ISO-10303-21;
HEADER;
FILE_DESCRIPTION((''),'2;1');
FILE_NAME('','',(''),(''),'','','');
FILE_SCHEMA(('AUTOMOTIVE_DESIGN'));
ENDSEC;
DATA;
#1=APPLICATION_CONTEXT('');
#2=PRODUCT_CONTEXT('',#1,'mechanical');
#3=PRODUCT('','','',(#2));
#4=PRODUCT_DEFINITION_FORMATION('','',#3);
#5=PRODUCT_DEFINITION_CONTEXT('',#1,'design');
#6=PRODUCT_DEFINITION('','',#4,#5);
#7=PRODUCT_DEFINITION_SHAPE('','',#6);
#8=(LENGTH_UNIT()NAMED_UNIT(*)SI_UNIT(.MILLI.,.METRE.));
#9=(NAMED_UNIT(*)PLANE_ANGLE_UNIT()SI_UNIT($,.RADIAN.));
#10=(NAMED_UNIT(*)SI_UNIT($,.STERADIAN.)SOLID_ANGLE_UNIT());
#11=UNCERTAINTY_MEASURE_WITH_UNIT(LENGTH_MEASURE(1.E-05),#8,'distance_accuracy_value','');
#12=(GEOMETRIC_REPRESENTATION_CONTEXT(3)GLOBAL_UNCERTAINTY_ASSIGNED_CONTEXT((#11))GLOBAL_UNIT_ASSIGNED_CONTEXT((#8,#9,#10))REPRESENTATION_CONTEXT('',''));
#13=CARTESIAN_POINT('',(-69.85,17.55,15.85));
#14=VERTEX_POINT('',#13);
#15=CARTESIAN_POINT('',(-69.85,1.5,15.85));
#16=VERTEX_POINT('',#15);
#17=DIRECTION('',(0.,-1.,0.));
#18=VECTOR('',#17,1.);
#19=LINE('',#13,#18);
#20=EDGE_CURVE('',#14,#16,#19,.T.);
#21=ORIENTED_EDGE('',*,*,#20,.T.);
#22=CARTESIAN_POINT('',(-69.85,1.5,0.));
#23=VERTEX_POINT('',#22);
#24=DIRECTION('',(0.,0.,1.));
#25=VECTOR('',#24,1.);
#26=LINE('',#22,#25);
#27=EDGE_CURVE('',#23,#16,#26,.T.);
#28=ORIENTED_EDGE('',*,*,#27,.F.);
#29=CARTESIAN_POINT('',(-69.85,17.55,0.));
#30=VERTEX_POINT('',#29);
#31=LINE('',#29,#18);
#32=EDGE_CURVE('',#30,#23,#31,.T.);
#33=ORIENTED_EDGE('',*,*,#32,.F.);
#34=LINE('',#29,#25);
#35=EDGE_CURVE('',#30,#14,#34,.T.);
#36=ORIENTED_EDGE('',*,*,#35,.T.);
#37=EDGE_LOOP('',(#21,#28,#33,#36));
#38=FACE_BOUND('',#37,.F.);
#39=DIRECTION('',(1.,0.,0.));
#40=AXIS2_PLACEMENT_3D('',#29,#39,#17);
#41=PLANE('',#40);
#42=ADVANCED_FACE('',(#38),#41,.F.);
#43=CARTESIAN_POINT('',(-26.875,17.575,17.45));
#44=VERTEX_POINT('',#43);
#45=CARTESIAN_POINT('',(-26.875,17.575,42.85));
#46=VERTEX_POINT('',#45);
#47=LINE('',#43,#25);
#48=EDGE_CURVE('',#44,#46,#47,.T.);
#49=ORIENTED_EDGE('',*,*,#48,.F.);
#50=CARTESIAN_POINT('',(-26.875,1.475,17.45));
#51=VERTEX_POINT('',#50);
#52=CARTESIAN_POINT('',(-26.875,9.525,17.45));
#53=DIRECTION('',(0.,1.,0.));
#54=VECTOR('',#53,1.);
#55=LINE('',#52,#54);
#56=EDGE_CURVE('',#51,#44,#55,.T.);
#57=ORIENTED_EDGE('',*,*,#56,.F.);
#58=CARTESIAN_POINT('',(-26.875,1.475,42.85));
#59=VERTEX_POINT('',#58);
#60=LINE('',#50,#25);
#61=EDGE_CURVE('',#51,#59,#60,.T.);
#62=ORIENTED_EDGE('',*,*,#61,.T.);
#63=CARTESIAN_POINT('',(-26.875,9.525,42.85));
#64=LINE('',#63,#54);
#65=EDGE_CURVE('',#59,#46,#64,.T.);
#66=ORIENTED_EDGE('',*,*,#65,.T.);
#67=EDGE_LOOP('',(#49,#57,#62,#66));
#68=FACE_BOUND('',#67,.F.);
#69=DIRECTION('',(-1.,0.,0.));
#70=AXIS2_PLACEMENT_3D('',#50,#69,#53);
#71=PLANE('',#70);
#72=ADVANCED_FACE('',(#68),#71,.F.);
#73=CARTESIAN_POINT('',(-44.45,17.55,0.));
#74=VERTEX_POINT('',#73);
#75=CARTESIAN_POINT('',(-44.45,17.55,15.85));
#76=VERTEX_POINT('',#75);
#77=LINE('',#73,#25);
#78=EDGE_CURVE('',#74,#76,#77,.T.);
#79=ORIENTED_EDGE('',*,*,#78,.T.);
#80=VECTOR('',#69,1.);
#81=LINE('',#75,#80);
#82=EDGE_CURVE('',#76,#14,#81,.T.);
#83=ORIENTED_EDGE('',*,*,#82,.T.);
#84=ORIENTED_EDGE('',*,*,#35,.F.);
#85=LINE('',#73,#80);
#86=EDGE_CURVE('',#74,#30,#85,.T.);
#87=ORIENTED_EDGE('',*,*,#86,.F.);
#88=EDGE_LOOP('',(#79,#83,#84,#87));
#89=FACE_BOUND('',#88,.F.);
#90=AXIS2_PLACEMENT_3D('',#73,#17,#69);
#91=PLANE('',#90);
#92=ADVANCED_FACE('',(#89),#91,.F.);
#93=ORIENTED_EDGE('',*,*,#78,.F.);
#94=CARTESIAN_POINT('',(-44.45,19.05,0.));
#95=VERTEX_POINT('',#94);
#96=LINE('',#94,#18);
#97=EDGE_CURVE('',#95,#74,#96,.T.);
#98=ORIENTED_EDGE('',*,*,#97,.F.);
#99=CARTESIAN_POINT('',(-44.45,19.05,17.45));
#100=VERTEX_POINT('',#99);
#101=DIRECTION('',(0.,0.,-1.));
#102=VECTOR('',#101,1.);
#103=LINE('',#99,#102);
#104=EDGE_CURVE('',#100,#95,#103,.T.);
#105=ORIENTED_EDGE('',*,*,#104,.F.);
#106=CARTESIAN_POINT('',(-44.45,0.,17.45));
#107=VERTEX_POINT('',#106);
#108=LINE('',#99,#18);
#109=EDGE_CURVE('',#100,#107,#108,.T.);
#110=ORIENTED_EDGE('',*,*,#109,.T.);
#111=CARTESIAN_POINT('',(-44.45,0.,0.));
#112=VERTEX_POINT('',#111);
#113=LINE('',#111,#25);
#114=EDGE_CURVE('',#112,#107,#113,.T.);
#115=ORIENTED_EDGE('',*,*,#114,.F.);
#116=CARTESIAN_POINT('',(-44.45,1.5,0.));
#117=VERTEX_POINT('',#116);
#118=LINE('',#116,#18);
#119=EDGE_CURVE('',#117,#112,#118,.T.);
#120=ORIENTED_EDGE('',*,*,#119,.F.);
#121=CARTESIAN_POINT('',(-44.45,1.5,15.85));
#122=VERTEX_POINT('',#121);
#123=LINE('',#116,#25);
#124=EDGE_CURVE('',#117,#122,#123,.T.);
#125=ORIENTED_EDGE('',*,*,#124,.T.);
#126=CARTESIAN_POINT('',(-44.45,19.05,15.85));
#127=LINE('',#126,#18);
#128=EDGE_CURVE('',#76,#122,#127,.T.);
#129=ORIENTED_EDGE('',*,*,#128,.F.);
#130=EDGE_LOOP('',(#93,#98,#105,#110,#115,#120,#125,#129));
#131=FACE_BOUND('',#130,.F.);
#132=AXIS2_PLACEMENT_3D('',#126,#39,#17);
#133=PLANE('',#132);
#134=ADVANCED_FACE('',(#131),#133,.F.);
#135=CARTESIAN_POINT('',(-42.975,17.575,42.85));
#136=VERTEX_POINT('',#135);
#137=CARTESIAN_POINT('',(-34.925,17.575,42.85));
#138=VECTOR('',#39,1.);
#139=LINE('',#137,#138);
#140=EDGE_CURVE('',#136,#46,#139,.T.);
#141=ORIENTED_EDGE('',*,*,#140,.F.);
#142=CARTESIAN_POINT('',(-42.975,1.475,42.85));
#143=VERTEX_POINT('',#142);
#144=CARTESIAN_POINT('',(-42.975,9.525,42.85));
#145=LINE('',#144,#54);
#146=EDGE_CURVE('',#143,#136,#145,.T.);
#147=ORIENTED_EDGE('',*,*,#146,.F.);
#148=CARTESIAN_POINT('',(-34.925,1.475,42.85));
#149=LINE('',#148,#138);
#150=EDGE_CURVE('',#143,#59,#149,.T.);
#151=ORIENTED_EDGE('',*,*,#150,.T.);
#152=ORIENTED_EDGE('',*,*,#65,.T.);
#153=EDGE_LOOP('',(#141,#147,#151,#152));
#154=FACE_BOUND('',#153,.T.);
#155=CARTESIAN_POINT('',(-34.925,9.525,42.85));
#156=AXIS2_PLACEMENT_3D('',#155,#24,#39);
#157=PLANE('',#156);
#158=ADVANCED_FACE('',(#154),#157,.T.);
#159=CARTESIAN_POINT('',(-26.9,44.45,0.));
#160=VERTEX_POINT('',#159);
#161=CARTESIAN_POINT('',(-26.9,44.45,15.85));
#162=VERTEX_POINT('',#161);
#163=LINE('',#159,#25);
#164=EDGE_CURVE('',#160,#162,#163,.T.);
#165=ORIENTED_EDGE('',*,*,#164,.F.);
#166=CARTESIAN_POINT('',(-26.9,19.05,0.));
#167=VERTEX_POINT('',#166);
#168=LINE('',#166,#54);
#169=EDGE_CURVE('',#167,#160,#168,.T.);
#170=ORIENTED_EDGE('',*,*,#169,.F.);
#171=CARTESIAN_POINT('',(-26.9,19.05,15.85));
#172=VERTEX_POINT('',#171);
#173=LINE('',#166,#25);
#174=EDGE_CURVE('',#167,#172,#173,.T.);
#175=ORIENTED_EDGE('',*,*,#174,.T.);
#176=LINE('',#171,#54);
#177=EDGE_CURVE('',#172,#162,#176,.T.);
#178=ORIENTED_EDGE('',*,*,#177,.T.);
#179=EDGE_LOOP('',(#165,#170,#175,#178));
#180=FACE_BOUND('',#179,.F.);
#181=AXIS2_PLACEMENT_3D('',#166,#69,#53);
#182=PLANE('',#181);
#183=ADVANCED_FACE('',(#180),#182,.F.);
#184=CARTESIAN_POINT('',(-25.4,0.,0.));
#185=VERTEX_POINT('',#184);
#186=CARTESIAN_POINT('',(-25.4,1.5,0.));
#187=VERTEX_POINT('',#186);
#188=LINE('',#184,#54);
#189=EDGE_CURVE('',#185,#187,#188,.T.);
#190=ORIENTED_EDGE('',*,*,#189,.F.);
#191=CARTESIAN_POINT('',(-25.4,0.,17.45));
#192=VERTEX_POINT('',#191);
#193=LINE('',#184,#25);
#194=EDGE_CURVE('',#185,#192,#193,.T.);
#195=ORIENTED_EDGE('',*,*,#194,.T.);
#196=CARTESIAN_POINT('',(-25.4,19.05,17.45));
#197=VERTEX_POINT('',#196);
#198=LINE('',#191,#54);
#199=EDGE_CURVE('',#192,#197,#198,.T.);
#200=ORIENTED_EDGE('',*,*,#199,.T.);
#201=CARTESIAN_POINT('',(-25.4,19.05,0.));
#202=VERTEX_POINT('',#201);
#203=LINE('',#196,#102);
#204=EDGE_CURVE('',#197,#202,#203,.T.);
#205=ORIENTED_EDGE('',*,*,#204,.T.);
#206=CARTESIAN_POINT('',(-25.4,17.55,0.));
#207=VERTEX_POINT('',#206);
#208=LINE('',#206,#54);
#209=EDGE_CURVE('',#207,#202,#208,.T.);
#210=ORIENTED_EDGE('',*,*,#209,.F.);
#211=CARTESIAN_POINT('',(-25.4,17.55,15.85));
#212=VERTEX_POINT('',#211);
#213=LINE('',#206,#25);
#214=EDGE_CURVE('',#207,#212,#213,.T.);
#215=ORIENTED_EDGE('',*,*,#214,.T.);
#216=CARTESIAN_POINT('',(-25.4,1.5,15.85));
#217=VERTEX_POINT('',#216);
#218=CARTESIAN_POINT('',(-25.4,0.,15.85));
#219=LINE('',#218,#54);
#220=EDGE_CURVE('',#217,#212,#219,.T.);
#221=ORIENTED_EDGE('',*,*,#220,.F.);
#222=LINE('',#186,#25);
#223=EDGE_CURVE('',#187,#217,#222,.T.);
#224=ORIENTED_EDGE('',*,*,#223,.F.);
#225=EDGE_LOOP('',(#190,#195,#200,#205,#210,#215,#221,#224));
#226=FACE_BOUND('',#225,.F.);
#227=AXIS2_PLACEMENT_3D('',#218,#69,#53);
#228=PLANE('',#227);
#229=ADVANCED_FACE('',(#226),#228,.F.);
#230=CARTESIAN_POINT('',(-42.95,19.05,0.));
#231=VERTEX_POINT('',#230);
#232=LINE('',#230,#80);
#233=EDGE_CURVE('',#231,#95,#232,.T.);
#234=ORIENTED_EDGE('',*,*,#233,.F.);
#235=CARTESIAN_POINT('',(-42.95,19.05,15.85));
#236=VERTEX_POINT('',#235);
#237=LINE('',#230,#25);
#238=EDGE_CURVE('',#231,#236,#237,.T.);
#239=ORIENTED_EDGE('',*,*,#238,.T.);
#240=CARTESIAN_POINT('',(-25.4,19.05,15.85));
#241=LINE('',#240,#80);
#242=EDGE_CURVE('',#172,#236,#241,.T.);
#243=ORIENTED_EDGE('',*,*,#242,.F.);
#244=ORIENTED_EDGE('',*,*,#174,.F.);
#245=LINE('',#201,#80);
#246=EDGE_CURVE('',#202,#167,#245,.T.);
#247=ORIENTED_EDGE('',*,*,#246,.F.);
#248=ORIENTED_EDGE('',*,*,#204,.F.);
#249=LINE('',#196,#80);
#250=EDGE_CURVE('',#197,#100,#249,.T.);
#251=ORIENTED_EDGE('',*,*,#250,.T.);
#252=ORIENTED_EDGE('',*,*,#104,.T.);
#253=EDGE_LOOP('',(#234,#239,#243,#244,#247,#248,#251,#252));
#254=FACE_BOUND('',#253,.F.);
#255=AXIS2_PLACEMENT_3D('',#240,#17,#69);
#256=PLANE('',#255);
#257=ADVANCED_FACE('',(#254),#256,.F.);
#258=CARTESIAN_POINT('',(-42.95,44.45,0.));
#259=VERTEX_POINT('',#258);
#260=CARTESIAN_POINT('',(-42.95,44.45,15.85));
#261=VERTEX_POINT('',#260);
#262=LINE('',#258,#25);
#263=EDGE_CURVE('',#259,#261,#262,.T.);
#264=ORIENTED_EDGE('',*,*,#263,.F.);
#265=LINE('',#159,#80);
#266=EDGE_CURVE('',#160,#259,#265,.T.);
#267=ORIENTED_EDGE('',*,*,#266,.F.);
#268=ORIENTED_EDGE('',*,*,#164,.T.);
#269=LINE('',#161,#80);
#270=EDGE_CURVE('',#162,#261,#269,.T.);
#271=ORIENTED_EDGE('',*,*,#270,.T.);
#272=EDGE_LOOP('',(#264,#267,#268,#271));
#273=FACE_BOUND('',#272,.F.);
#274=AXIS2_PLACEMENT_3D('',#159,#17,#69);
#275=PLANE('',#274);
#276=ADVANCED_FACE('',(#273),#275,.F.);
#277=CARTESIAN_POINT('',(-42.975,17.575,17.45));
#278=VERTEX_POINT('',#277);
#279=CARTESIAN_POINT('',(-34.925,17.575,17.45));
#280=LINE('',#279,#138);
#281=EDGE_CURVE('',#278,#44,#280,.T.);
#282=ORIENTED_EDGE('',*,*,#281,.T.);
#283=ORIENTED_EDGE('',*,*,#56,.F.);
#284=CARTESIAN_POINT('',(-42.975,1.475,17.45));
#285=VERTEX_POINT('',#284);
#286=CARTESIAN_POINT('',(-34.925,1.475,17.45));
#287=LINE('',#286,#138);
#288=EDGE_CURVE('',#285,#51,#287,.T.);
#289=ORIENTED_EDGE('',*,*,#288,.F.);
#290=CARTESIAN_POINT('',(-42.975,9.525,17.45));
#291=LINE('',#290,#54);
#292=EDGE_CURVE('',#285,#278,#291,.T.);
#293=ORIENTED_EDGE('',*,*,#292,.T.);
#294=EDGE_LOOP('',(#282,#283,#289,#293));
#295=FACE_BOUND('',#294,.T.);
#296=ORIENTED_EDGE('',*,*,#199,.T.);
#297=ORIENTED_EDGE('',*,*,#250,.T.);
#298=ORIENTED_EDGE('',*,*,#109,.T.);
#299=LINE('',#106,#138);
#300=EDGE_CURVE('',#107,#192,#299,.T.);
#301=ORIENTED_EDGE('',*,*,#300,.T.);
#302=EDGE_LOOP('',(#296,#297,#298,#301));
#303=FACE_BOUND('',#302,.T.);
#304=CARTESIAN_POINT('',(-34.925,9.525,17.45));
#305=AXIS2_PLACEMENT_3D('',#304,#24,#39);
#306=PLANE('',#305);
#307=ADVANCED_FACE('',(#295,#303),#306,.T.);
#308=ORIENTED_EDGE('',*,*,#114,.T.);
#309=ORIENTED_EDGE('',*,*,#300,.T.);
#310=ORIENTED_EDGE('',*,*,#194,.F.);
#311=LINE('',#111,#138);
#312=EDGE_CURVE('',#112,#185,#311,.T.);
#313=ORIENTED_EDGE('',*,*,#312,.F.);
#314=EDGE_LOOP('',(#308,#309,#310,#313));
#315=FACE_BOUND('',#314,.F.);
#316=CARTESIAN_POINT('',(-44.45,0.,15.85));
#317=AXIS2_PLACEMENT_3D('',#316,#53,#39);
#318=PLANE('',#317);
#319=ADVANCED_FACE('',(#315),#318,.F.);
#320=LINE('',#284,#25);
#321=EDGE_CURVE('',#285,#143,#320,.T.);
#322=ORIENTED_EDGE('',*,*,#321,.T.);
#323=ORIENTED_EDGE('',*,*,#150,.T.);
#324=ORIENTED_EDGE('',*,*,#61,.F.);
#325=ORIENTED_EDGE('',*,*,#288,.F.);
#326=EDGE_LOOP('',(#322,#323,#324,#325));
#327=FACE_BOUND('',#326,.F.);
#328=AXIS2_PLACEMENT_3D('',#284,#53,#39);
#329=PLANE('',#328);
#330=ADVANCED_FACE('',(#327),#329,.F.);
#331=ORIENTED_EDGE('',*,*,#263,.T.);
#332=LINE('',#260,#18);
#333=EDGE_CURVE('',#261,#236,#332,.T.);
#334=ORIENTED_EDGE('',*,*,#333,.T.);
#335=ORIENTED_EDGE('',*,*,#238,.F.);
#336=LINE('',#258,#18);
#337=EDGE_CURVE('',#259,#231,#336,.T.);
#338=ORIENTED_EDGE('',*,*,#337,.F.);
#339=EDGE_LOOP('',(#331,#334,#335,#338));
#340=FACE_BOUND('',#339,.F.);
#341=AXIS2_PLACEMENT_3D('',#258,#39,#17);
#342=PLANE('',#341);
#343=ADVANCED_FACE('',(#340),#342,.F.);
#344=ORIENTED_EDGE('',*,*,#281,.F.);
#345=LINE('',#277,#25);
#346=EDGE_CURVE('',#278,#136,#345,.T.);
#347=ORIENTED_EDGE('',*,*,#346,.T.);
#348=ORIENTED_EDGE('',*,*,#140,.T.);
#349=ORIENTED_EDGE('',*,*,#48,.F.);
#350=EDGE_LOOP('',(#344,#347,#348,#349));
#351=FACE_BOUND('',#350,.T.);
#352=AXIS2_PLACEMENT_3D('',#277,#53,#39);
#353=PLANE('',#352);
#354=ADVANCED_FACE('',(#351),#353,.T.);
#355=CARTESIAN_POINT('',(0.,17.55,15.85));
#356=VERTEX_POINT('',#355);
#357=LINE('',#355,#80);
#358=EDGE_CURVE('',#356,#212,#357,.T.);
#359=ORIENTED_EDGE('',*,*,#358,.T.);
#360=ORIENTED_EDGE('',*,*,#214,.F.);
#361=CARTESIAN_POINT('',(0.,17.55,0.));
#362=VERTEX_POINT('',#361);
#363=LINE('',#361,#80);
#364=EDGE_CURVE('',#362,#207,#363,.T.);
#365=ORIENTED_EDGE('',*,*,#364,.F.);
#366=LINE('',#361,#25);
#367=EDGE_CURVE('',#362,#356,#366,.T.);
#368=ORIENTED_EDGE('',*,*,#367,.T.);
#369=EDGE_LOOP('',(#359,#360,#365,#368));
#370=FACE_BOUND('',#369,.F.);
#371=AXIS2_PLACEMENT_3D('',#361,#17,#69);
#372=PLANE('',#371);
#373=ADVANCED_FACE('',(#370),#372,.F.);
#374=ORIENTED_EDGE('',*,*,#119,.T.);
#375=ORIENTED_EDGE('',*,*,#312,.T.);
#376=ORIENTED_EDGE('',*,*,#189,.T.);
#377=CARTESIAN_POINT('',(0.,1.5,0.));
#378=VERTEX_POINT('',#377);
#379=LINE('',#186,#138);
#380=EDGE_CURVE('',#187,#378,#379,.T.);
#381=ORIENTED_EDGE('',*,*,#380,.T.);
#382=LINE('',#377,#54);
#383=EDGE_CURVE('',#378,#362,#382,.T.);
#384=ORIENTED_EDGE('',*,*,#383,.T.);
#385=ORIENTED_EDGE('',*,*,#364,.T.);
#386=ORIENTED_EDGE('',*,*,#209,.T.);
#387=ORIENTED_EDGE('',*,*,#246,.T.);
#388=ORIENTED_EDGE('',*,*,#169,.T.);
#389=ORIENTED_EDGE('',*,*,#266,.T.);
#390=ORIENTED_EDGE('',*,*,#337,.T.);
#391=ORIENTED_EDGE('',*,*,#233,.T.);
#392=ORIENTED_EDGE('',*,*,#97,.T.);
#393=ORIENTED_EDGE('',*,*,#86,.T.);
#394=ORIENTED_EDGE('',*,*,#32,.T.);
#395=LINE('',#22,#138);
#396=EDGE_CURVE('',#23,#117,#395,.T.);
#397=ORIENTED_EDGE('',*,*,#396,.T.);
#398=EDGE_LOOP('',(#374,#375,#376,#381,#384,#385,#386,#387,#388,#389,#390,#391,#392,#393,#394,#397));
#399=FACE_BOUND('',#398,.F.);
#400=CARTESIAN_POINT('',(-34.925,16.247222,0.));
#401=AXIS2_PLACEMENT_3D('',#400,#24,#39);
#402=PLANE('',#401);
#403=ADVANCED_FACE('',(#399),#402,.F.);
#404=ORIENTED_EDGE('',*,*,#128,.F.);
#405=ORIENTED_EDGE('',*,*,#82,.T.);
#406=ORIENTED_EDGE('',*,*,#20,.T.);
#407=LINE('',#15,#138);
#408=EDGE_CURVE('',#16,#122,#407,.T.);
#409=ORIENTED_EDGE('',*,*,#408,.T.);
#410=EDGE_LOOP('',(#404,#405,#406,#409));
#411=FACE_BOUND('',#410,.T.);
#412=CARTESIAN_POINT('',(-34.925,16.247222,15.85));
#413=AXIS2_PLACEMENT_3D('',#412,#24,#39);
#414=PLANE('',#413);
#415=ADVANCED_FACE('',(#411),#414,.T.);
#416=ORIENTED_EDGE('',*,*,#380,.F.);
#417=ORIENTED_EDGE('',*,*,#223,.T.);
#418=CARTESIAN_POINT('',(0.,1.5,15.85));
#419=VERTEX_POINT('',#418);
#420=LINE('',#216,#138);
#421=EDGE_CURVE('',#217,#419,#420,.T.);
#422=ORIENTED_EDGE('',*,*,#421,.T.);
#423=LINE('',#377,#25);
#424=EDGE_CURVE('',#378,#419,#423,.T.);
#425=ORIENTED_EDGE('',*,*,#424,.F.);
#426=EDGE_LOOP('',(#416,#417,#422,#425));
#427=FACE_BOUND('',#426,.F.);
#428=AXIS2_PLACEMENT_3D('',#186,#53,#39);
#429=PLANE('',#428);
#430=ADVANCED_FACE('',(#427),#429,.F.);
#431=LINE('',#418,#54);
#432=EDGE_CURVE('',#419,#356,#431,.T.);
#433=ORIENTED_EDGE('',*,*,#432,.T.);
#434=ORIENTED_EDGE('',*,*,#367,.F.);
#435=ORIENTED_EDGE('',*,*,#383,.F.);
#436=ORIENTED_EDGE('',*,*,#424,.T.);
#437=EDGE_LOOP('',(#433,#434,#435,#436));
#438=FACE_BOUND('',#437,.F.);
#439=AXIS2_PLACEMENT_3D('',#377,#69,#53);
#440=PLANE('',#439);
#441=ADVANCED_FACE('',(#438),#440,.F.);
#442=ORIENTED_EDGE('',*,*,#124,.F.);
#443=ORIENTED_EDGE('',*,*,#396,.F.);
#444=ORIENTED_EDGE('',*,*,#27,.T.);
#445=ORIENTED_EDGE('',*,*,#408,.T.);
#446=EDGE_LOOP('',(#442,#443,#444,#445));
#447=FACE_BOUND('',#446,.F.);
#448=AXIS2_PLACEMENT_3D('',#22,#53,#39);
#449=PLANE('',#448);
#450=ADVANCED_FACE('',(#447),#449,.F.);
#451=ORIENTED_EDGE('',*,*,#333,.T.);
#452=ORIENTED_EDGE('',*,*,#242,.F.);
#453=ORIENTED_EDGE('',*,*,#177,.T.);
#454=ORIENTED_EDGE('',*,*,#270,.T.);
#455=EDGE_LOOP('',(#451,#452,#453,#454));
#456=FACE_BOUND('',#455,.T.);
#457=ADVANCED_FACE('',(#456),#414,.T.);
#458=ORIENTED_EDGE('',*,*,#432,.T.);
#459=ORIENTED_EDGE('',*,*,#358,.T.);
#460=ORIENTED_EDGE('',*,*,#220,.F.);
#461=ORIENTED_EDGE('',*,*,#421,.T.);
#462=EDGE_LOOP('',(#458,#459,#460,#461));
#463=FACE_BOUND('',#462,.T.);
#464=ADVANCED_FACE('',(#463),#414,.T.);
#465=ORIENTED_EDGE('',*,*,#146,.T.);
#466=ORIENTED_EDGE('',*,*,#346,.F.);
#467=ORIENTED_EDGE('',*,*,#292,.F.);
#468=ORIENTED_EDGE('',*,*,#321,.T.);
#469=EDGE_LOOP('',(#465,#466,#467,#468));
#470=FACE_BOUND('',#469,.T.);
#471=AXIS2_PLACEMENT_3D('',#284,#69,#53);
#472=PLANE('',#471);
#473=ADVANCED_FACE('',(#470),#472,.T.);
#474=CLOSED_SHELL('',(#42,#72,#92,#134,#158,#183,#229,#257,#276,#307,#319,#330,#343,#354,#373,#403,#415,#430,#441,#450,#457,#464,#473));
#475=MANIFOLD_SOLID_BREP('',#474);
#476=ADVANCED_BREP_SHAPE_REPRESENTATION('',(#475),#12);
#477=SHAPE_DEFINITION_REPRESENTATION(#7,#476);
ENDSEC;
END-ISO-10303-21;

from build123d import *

# Parameters (mm, degrees)
F1_DEPTH = 15.85
F3_DEPTH = 1.6
F4_W     = 16.1
F4_H     = 16.1
F5_DEPTH = 25.4


with BuildPart() as f1:
    # F0 (on Top) → F1 (new body)
    with BuildSketch(Plane.XY):
        Polygon((-25.4, 1.5), (0, 1.5), (0, 17.55), (-25.4, 17.55), (-25.4, 19.05), (-26.9, 19.05), (-26.9, 44.45), (-42.95, 44.45), (-42.95, 19.05), (-44.45, 19.05), (-44.45, 17.55), (-69.85, 17.55), (-69.85, 1.5), (-44.45, 1.5), (-44.45, 0), (-25.4, 0), align=None)
    extrude(amount=F1_DEPTH)

    # F2 (on face) → F3 (join)
    with BuildSketch(Plane.XY.offset(15.85)):
        Polygon((-42.95, 19.05), (-44.45, 19.05), (-44.45, 17.55), (-44.45, 1.5), (-44.45, 0), (-25.4, 0), (-25.4, 1.5), (-25.4, 17.55), (-25.4, 19.05), (-26.9, 19.05), align=None)
    extrude(amount=F3_DEPTH)

    # F4 (on face) → F5 (join)
    with BuildSketch(Plane.XY.offset(17.45)):
        with Locations((-34.925, 9.525)):
            Rectangle(F4_W, F4_H)
    extrude(amount=F5_DEPTH)


solid = f1.part
